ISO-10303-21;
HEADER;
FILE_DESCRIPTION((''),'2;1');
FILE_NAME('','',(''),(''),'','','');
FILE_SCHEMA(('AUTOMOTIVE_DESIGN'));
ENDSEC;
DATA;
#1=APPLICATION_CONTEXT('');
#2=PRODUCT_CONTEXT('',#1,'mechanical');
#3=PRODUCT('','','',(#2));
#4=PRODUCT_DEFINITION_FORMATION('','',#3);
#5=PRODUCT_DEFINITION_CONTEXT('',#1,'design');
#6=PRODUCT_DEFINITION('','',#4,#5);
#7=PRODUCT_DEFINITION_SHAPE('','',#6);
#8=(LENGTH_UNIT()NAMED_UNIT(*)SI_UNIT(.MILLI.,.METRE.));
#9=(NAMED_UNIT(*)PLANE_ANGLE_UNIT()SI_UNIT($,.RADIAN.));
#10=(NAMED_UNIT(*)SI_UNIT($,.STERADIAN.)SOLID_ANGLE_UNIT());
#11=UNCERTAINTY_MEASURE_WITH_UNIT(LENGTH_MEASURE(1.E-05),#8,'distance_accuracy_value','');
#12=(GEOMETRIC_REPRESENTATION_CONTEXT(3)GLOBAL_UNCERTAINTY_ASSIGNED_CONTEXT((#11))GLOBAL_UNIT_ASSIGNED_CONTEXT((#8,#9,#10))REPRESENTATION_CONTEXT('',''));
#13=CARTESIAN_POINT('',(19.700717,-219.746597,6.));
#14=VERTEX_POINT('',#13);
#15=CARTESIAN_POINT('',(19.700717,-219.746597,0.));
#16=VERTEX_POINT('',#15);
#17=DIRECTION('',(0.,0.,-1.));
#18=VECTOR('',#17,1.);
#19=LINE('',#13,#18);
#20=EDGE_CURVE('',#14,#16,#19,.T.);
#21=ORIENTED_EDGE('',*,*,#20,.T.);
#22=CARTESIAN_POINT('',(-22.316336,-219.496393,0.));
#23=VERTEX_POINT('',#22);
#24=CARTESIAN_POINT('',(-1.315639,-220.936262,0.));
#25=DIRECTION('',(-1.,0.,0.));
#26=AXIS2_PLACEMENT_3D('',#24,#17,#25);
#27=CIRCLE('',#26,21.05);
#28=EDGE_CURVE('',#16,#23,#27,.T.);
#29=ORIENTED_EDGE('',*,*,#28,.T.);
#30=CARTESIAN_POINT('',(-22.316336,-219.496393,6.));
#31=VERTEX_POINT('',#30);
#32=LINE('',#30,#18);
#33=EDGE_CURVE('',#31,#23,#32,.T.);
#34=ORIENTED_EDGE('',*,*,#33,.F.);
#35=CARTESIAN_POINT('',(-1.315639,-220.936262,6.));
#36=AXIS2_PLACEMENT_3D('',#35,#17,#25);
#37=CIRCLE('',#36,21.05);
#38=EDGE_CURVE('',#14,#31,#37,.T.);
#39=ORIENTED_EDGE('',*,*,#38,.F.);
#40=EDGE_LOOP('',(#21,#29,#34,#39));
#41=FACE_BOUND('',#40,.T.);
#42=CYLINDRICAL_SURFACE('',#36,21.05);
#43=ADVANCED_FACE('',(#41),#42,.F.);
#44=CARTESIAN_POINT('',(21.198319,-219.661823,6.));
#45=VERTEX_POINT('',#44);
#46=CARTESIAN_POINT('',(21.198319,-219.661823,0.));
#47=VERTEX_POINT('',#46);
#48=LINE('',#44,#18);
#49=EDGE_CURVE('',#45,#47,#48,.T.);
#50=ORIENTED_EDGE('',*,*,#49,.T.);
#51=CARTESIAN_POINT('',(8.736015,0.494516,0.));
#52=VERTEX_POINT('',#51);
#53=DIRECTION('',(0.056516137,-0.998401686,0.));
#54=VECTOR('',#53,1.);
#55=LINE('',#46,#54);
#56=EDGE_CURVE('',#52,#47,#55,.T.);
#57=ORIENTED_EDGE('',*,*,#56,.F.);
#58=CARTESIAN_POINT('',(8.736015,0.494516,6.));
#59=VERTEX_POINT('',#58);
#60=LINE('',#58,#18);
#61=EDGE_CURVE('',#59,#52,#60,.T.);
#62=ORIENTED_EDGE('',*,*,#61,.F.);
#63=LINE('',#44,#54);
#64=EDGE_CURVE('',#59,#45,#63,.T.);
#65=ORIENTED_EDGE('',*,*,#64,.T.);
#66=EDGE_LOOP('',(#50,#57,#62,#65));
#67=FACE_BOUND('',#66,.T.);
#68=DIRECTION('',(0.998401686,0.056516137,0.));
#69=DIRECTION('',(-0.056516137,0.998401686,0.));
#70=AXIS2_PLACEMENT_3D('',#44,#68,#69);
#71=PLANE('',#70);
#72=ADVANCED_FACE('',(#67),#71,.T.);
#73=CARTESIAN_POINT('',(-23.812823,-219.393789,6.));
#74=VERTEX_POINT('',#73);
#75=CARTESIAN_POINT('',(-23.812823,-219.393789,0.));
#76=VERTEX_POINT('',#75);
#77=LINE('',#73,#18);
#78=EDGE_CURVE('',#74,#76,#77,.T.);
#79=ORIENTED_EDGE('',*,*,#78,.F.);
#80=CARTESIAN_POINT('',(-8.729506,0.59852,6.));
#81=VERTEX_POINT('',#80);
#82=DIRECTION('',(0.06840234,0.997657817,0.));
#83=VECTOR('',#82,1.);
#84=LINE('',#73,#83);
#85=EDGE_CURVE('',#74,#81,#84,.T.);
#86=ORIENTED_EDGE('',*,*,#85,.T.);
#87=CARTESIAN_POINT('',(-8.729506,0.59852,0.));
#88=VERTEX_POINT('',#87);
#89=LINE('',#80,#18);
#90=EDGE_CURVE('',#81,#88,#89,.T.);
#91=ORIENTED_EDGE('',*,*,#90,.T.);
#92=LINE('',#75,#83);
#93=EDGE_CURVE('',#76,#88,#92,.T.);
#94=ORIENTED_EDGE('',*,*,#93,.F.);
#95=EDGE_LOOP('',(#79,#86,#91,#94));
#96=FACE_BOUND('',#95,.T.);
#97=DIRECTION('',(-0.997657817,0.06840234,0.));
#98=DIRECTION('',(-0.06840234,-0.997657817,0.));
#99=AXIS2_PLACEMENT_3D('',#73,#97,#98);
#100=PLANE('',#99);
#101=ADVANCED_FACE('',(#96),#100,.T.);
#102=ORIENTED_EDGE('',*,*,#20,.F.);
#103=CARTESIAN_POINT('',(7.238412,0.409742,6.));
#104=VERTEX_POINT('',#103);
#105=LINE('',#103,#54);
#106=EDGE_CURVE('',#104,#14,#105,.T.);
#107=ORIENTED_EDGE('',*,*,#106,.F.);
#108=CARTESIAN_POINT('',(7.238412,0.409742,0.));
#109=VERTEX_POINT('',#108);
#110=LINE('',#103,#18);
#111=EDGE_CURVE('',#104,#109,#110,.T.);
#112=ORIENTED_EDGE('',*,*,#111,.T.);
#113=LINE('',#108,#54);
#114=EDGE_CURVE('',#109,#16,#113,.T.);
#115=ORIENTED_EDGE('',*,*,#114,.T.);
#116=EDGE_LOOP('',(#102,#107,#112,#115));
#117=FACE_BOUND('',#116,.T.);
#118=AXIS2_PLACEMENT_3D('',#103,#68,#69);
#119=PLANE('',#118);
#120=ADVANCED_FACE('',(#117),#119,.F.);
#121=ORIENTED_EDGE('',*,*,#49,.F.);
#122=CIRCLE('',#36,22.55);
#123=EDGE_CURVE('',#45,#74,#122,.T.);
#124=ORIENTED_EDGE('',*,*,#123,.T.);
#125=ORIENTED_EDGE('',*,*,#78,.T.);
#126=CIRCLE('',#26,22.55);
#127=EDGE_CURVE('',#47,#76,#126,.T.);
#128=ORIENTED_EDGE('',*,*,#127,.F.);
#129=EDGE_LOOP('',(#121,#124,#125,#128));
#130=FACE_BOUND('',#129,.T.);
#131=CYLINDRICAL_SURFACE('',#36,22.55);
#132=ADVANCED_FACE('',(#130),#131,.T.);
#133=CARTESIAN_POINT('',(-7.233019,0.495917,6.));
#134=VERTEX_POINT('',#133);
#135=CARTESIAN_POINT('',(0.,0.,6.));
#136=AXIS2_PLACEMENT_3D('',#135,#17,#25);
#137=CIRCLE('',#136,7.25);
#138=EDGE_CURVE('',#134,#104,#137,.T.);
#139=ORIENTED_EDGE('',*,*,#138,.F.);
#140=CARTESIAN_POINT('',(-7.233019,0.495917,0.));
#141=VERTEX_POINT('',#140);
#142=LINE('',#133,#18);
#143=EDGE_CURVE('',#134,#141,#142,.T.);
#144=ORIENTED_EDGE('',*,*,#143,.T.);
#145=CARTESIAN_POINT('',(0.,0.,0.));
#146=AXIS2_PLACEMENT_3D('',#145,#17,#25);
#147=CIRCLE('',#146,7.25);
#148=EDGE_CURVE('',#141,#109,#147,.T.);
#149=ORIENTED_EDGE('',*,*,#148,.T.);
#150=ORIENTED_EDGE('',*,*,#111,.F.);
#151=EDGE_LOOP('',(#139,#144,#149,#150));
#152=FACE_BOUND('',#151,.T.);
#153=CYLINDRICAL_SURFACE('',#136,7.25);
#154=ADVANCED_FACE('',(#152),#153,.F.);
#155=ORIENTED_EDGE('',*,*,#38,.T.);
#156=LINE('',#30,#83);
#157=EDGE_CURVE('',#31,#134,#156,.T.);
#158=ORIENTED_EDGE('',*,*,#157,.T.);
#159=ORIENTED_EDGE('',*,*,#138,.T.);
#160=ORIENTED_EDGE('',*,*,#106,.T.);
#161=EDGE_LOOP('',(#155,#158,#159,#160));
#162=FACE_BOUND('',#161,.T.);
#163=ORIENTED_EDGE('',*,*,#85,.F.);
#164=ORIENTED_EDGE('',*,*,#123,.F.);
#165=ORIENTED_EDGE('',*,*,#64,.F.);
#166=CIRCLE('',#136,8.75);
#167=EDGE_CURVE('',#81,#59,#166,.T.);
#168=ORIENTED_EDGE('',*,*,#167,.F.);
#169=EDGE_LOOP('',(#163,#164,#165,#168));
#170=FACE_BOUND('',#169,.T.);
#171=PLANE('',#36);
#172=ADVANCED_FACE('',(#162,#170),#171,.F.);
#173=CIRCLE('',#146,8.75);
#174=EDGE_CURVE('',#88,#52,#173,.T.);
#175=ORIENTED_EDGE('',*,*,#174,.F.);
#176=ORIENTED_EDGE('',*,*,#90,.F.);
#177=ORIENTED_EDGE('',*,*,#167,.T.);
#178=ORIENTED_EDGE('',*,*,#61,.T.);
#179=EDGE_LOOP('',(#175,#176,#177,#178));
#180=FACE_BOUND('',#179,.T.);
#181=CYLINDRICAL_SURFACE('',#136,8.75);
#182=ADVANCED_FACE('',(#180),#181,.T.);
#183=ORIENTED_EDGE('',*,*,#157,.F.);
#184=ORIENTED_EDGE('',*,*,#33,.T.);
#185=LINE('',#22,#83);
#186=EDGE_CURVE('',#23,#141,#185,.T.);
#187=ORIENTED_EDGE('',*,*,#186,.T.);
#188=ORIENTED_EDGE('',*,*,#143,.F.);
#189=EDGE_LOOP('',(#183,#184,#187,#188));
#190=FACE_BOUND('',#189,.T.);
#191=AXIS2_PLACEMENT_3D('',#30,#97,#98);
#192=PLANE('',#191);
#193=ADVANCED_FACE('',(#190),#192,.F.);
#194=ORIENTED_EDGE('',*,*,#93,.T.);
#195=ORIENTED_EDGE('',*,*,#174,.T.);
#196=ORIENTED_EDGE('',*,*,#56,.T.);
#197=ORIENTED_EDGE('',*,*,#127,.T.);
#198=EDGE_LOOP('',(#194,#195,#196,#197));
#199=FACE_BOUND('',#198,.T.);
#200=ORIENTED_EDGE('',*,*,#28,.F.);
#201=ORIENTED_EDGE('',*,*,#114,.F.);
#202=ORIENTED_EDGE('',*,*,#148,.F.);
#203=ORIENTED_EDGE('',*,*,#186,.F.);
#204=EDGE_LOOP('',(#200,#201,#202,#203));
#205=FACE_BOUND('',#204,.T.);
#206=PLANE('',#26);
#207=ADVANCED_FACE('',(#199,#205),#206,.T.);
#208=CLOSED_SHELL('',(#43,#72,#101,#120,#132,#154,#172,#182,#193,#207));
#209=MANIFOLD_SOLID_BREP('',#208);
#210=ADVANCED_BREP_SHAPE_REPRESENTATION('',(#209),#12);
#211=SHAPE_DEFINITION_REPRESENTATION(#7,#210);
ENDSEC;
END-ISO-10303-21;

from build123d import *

# Parameters (mm, degrees)
EXTRUDE_1_DEPTH = 6


with BuildPart() as part:
    # 草图2 → 拉伸-薄壁1 (new body)
    with BuildSketch(Plane.XY):
        with BuildLine():
            Line((-23.812822564, -219.393789016), (-8.729505899, 0.598520476))
            ThreePointArc((-8.729505899, 0.598520476), (0.052103875, 8.749844866), (8.736014751, 0.494516198))
            Line((8.736014751, 0.494516198), (21.198319225, -219.661822899))
            ThreePointArc((21.198319225, -219.661822899), (-1.449917919, -243.485861984), (-23.812822564, -219.393789016))
        make_face()
        with BuildLine():
            Line((-22.316335838, -219.496392526), (-7.233019173, 0.495916966))
            ThreePointArc((-7.233019173, 0.495916966), (0.043171782, 7.249871461), (7.238412222, 0.409741992))
            Line((7.238412222, 0.409741992), (19.700716697, -219.746597104))
            ThreePointArc((19.700716697, -219.746597104), (-1.440985826, -241.985888579), (-22.316335838, -219.496392526))
        make_face(mode=Mode.SUBTRACT)
    extrude(amount=EXTRUDE_1_DEPTH)


solid = part.part
